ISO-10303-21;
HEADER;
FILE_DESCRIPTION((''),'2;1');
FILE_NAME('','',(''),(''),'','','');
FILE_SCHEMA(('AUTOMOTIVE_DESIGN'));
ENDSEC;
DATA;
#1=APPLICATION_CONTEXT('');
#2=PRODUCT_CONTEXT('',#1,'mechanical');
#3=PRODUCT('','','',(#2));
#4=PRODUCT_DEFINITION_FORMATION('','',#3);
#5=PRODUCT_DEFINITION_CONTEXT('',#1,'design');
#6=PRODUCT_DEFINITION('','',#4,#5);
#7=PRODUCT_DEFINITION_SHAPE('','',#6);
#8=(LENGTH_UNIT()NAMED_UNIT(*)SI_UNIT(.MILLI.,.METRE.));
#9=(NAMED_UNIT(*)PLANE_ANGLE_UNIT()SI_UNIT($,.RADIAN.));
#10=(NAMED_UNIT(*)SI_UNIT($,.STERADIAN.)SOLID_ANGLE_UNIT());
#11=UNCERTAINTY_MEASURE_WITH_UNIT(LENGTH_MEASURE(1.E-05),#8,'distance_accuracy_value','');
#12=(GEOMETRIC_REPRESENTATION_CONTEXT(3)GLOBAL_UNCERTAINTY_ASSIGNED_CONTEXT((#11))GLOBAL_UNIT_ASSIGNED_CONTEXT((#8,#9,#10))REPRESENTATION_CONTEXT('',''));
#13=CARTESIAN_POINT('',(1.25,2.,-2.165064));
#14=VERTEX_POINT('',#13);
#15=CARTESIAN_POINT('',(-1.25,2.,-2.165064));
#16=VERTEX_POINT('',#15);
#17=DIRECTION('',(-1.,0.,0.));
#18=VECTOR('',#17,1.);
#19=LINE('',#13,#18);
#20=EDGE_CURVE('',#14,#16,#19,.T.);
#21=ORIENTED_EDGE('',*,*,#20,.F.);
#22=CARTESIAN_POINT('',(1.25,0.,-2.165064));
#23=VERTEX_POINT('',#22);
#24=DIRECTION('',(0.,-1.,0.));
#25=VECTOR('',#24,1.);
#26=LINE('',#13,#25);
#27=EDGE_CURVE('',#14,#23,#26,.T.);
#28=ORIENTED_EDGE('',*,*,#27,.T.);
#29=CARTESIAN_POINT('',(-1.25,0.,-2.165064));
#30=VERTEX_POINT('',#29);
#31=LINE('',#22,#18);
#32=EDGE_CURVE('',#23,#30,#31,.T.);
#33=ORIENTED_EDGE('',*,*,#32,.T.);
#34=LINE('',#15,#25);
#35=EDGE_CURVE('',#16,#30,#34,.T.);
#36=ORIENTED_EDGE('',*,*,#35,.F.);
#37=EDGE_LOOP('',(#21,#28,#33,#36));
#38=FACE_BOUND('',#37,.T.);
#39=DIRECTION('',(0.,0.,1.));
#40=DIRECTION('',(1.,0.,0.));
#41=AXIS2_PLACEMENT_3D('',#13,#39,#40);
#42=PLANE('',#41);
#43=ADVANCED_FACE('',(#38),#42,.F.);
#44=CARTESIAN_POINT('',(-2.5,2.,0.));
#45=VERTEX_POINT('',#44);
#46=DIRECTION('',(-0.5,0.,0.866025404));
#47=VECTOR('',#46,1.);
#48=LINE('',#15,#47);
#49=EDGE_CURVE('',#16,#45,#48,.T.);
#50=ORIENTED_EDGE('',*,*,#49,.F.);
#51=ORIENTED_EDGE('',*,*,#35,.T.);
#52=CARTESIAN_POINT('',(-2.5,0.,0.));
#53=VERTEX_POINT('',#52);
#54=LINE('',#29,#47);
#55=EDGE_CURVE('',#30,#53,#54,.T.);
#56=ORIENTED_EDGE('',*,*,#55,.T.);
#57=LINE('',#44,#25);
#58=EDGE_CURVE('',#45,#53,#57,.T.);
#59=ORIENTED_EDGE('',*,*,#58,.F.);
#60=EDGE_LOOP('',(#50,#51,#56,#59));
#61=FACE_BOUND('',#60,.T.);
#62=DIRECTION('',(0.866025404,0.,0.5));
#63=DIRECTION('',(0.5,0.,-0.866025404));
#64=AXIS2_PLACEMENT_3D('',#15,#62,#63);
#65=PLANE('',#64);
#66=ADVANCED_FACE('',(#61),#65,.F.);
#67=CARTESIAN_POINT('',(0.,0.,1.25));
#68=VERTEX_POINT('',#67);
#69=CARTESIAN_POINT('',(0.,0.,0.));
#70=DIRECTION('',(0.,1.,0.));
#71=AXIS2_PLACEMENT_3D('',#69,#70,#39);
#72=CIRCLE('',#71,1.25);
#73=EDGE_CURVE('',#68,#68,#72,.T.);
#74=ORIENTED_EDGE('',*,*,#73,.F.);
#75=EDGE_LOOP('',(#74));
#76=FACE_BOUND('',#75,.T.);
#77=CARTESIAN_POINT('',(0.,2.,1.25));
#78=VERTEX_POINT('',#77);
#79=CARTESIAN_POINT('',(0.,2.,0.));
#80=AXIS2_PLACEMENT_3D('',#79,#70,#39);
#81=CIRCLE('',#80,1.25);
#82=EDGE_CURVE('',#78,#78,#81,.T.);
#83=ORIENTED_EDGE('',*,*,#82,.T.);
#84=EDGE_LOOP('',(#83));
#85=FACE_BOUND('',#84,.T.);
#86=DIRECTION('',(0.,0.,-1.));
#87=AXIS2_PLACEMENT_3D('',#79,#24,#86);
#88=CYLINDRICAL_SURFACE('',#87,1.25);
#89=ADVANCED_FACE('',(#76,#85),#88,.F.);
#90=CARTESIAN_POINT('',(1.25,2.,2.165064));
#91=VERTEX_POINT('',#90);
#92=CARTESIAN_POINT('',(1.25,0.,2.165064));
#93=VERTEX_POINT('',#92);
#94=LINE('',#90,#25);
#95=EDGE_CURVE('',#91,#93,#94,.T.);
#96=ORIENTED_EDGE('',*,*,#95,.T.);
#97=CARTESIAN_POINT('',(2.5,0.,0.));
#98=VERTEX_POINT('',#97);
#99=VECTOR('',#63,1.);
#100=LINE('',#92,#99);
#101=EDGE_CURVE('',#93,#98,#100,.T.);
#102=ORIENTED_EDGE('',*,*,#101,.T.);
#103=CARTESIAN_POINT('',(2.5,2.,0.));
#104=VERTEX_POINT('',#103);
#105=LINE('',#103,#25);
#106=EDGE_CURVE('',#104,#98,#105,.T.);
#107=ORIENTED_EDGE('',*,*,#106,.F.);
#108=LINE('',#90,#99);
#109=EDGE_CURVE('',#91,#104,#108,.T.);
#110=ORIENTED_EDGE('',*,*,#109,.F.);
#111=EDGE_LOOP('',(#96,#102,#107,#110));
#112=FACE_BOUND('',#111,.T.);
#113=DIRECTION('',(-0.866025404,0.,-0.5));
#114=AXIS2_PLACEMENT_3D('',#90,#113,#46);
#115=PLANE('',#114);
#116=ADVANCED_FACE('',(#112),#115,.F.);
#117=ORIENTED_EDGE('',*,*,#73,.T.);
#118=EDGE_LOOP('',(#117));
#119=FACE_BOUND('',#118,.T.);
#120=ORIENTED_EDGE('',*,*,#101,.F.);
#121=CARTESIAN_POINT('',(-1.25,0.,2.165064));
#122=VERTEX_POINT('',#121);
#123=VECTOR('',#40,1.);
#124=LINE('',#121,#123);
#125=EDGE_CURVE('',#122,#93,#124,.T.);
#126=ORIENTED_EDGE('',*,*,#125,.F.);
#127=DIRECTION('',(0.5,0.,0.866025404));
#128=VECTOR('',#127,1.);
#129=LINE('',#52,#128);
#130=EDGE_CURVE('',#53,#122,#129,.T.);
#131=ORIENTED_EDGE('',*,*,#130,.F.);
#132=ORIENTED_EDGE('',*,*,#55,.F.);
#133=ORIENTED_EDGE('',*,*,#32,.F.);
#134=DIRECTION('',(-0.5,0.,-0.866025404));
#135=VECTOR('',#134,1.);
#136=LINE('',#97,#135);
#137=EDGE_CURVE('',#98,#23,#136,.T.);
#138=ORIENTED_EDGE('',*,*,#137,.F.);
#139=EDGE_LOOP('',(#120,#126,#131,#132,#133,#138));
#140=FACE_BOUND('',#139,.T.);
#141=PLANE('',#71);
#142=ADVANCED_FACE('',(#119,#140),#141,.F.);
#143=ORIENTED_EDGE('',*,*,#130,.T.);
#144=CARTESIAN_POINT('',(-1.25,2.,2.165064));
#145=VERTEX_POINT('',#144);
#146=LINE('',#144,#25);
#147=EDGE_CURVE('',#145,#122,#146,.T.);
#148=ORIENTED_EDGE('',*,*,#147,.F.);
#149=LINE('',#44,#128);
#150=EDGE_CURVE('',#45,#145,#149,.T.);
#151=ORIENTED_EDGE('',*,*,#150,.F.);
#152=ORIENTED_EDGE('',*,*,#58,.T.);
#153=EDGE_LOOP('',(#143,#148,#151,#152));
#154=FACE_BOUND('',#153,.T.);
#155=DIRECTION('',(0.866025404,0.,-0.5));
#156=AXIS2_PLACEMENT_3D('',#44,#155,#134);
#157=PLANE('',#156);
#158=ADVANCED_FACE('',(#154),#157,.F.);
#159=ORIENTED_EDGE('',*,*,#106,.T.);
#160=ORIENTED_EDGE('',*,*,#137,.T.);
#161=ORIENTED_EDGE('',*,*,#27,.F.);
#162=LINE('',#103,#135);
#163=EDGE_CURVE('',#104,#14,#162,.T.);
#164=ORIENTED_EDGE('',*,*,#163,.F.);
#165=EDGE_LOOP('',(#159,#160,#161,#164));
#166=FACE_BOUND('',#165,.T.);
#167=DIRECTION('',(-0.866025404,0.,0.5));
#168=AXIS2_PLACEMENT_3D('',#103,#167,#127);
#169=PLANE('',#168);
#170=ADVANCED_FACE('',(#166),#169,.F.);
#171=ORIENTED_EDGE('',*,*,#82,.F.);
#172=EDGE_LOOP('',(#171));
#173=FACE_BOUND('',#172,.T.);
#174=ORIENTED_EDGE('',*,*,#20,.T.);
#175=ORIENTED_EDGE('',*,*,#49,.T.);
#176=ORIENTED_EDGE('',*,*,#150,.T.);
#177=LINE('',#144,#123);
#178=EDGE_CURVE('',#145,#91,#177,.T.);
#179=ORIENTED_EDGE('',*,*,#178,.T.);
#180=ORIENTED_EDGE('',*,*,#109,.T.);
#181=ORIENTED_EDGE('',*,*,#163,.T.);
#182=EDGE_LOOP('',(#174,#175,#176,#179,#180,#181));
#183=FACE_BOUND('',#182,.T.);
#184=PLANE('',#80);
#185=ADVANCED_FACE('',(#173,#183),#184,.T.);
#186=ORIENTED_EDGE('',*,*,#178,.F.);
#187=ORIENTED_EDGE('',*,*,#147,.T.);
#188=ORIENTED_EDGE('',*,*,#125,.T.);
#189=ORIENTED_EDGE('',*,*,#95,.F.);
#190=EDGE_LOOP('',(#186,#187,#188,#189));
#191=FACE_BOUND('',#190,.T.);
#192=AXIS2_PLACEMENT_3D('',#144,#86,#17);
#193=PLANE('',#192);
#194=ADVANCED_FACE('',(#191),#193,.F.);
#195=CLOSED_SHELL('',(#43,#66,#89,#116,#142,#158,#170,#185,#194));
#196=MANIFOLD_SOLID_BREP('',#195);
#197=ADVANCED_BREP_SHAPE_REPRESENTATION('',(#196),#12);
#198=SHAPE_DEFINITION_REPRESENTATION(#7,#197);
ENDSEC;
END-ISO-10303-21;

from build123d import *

# Parameters (mm, degrees)
SKETCH_1_R      = 1.25
EXTRUDE_1_DEPTH = 2


with BuildPart() as part:
    # 草图1 → 凸台-拉伸1 (new body)
    with BuildSketch(Plane(origin=(0, 0, 0), x_dir=(1, 0, 0), z_dir=(0, 1, 0))):
        Polygon((1.25, 2.165063509), (-1.25, 2.165063509), (-2.5, 0), (-1.25, -2.165063509), (1.25, -2.165063509), (2.5, 0), align=None)
        with Locations(Location((0, 0, 0), (0, 0, 270))):
            Circle(SKETCH_1_R, mode=Mode.SUBTRACT)
    extrude(amount=EXTRUDE_1_DEPTH)


solid = part.part
